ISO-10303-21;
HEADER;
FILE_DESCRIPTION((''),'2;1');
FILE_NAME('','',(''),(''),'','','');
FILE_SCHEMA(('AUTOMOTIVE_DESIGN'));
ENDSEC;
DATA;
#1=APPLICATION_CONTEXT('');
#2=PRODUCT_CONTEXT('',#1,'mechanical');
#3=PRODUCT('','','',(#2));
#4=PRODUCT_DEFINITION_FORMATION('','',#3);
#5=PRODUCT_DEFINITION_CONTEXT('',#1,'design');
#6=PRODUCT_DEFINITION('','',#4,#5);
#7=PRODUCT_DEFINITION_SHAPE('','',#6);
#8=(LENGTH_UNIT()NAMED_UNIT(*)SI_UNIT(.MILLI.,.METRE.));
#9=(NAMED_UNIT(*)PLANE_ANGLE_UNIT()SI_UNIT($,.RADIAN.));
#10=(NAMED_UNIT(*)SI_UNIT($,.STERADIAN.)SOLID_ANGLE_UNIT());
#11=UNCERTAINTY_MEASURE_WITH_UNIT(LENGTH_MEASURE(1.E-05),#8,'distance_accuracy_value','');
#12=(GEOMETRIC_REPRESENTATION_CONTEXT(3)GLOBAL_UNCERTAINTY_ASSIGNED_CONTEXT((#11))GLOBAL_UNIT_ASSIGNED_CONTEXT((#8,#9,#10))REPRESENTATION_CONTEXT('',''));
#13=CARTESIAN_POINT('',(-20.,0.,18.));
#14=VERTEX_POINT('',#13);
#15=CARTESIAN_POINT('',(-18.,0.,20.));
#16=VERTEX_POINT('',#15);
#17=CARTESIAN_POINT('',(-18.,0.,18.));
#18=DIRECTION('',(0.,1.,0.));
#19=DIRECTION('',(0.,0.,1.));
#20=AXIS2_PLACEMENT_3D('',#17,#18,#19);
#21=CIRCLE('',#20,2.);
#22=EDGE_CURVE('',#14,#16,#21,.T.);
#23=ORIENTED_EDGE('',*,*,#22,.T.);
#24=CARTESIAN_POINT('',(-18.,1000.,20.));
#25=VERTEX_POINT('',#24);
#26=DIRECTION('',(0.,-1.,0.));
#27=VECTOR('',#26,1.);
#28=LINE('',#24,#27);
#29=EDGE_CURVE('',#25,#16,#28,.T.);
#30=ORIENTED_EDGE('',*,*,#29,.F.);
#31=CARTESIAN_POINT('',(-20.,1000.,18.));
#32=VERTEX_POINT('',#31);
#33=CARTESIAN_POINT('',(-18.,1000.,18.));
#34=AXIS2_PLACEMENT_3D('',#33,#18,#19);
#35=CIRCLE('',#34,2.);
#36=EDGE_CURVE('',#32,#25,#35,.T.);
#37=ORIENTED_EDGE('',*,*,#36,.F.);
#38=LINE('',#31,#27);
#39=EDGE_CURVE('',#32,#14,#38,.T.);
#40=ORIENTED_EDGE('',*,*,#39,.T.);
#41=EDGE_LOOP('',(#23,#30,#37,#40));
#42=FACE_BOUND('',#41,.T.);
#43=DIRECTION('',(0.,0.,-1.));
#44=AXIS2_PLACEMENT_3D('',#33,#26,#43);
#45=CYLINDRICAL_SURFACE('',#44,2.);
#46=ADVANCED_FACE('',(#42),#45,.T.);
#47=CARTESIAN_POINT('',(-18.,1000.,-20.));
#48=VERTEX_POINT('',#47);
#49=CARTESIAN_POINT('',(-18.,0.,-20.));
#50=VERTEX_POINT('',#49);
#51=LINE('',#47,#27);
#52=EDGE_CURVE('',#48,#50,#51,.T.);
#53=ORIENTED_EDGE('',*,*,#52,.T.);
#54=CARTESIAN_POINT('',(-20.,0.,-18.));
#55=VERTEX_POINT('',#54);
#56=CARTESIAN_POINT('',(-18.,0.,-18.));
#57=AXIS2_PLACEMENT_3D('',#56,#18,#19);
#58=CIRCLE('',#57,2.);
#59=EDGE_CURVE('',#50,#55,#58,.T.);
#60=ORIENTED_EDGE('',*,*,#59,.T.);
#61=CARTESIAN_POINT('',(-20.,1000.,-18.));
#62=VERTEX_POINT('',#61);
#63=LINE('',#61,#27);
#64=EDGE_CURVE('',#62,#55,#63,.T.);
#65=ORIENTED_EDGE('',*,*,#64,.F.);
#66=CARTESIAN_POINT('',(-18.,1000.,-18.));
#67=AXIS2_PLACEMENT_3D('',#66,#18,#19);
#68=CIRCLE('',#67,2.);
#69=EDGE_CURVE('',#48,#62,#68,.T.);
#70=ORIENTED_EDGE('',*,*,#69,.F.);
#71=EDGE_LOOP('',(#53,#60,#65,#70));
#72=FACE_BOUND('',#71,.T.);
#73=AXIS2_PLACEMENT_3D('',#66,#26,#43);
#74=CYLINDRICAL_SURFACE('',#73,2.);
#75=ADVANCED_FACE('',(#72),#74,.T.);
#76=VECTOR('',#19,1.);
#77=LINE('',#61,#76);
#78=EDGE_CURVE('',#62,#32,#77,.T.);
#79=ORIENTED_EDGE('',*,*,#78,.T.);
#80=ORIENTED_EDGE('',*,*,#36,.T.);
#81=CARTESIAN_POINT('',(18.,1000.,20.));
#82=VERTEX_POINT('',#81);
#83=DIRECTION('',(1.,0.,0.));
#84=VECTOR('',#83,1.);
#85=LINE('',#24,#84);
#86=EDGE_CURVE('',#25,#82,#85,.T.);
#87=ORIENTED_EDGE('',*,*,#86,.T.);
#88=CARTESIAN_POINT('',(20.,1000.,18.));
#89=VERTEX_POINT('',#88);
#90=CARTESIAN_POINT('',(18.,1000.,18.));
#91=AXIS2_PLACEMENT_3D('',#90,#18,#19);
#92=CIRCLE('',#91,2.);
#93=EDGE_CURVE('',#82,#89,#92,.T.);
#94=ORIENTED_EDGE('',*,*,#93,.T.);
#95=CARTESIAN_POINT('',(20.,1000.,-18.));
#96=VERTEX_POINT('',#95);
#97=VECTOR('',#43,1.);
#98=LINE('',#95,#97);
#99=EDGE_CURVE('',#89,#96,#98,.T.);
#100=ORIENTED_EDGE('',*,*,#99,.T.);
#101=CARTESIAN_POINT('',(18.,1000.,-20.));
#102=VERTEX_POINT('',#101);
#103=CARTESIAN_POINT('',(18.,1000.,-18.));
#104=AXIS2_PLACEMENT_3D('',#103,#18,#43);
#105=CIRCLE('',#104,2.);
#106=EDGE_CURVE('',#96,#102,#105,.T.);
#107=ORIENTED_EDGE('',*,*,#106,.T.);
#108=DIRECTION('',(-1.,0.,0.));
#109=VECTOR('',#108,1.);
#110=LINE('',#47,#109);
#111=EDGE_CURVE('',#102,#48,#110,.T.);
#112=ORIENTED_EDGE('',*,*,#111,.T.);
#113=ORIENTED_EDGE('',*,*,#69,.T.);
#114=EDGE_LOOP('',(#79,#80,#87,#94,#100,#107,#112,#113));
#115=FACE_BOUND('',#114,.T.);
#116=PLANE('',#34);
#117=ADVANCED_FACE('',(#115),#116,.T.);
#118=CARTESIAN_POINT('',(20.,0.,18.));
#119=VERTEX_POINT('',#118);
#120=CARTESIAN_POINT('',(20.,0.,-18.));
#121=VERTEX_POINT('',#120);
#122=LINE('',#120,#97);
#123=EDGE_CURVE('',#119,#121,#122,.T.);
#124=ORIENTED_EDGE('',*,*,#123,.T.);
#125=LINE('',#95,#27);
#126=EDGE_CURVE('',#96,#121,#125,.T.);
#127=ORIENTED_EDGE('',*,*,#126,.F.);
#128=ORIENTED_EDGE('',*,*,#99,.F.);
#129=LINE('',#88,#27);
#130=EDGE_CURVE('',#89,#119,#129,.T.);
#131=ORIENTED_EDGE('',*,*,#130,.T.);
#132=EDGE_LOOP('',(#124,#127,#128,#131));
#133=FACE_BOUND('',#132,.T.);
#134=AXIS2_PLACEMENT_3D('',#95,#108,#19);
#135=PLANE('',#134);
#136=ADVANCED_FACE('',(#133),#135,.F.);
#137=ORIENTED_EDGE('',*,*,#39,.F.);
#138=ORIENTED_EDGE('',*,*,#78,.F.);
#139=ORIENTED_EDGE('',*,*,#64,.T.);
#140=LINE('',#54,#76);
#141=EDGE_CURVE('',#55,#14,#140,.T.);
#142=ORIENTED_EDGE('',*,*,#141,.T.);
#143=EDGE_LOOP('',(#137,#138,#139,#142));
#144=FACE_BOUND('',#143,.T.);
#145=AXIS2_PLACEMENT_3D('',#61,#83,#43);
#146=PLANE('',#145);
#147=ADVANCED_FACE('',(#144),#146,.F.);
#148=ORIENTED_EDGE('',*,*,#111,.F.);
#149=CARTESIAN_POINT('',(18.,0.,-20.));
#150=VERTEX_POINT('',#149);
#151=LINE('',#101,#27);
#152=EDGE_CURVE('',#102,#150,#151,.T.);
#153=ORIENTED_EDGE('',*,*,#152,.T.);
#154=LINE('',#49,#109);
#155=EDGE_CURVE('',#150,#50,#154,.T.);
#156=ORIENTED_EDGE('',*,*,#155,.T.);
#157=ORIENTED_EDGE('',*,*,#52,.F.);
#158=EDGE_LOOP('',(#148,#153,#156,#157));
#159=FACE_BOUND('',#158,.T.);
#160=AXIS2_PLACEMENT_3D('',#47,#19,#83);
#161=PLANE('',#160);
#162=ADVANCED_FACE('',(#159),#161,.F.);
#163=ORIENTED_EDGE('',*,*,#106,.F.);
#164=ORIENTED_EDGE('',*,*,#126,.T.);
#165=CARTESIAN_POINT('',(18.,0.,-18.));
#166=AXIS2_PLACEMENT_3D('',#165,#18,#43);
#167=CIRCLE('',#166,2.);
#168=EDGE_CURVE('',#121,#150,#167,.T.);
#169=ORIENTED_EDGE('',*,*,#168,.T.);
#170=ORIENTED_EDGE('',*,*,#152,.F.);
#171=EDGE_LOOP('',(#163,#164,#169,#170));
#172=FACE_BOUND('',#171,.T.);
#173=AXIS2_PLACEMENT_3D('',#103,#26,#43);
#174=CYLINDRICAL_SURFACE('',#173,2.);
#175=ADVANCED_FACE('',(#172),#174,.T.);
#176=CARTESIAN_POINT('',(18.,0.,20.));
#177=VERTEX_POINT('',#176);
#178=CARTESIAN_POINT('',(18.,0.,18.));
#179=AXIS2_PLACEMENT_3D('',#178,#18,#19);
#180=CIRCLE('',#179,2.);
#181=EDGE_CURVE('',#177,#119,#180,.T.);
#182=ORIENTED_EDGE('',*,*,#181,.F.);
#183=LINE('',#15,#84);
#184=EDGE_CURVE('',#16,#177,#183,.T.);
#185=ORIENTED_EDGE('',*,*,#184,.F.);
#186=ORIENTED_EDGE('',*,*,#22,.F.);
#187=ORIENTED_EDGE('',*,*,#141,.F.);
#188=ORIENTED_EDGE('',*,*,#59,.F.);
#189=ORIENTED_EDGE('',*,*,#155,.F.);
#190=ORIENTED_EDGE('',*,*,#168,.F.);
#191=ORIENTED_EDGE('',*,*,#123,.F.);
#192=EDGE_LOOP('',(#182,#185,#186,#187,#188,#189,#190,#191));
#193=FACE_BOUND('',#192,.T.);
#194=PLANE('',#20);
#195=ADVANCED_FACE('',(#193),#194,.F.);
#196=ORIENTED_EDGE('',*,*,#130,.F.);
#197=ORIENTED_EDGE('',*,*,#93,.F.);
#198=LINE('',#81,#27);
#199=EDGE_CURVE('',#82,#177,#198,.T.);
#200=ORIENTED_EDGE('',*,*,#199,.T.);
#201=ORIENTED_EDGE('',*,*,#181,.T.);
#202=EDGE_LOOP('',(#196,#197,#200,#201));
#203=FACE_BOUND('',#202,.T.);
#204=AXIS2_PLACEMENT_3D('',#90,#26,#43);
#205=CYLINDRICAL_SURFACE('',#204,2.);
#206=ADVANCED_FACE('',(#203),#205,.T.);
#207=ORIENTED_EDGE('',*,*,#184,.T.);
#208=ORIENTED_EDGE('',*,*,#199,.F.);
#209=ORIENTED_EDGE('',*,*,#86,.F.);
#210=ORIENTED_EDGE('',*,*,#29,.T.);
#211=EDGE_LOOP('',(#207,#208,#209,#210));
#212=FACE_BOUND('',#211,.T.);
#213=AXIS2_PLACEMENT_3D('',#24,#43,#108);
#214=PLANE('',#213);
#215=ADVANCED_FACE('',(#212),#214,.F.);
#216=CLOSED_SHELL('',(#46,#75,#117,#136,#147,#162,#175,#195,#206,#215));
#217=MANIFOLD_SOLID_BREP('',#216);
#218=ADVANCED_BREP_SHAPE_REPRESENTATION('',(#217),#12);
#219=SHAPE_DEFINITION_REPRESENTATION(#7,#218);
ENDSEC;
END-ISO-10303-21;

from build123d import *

# Parameters (mm, degrees)
BOSS_EXTRUDE1_DEPTH = 1000


with BuildPart() as part:
    # Sketch1 → Boss-Extrude1 (new body)
    with BuildSketch(Plane(origin=(0, 0, 0), x_dir=(1, 0, 0), z_dir=(0, 1, 0))):
        with BuildLine():
            Line((-18, 20), (18, 20))
            ThreePointArc((18, 20), (19.414213562, 19.414213562), (20, 18))
            Line((20, 18), (20, -18))
            ThreePointArc((20, -18), (19.414213562, -19.414213562), (18, -20))
            Line((18, -20), (-18, -20))
            ThreePointArc((-18, -20), (-19.414213562, -19.414213562), (-20, -18))
            Line((-20, -18), (-20, 18))
            ThreePointArc((-20, 18), (-19.414213562, 19.414213562), (-18, 20))
        make_face()
    extrude(amount=BOSS_EXTRUDE1_DEPTH)


solid = part.part
